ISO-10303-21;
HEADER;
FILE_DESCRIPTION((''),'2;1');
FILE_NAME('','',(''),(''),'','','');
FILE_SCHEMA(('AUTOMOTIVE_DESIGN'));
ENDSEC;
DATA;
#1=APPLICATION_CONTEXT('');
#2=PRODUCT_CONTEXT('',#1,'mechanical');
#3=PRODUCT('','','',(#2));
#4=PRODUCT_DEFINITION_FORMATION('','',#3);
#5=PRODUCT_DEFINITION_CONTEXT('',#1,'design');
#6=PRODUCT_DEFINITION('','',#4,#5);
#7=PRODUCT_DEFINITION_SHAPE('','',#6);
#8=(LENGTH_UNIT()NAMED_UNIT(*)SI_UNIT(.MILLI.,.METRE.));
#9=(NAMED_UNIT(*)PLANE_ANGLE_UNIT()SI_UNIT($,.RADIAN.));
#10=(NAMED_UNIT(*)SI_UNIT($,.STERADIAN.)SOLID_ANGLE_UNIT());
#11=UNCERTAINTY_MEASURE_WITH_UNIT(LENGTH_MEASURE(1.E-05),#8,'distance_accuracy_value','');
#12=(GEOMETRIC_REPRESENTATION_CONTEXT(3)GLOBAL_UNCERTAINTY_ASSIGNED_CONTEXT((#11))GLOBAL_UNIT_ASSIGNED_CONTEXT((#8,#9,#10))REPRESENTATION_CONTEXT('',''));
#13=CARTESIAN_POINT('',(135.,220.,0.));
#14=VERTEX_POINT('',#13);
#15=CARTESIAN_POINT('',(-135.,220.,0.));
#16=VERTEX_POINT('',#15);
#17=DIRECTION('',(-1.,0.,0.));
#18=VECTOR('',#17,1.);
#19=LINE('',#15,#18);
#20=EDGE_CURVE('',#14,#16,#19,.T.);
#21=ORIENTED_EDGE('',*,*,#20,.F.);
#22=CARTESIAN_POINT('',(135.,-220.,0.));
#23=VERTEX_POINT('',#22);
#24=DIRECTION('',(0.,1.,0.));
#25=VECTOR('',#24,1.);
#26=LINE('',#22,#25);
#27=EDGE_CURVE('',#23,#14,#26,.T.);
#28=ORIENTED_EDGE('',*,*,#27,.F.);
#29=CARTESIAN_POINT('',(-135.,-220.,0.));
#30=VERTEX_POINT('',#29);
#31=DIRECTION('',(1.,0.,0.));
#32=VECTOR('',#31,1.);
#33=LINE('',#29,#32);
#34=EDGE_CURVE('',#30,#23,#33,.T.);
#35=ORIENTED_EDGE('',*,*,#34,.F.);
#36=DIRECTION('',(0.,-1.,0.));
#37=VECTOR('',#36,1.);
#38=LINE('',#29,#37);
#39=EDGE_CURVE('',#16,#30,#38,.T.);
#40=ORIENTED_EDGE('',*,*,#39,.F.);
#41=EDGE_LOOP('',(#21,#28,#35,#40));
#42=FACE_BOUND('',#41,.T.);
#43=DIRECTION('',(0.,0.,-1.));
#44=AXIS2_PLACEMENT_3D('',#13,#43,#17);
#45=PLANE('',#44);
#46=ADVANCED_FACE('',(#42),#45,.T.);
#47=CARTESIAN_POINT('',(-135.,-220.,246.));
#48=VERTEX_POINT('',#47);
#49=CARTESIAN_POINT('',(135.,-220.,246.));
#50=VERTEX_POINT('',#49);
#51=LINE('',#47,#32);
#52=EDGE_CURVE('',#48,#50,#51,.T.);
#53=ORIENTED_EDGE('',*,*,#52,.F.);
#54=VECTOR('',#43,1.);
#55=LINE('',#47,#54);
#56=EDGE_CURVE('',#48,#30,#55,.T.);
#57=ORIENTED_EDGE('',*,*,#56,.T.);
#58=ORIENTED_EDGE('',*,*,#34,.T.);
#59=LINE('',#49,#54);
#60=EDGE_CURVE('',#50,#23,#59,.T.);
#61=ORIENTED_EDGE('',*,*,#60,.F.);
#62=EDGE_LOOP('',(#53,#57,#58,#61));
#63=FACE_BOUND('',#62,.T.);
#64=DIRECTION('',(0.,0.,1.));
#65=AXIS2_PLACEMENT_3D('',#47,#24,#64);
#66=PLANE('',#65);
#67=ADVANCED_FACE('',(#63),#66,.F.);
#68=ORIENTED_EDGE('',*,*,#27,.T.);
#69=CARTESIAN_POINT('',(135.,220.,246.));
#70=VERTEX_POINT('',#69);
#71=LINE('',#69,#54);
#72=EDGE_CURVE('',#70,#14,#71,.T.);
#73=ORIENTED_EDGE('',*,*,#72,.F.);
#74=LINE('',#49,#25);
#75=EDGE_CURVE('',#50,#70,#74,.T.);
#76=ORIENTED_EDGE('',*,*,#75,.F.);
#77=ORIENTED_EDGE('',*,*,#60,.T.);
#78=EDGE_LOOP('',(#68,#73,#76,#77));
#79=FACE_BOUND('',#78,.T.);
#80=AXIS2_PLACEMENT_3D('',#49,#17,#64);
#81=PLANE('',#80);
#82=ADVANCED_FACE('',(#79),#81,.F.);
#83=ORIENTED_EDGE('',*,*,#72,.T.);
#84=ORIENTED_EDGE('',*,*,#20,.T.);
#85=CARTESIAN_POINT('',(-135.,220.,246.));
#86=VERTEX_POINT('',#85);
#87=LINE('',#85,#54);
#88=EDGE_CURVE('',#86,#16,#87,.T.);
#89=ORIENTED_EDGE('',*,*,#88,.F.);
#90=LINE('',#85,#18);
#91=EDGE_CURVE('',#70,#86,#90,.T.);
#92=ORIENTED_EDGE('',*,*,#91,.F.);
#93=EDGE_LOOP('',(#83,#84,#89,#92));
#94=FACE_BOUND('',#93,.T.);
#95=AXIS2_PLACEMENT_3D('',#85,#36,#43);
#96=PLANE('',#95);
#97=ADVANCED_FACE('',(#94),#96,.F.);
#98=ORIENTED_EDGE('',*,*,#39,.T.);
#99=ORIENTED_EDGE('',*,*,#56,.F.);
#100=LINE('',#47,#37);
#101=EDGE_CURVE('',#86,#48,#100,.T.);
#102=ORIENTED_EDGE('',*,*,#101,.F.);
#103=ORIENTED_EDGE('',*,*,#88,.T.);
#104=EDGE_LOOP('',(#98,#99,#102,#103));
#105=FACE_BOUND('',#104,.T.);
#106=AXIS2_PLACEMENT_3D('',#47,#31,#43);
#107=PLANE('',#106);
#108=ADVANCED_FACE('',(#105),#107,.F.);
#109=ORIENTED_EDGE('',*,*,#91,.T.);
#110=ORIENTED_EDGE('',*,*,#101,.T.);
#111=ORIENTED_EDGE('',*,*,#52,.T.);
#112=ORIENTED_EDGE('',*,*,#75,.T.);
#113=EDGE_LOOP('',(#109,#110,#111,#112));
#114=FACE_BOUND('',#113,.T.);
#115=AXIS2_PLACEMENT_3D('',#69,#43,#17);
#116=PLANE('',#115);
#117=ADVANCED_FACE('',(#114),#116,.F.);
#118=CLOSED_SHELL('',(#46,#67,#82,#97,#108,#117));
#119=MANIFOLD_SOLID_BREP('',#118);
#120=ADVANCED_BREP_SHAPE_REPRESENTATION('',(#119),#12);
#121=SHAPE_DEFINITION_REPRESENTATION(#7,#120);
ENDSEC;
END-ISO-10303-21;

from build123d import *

# Parameters (mm, degrees)
SKETCH_1_W      = 270
SKETCH_1_H      = 440
EXTRUDE_1_DEPTH = 246


with BuildPart() as part:
    # 草图1 → 拉伸1 (new body)
    with BuildSketch(Plane.XY):
        Rectangle(SKETCH_1_W, SKETCH_1_H)
    extrude(amount=EXTRUDE_1_DEPTH)


solid = part.part
